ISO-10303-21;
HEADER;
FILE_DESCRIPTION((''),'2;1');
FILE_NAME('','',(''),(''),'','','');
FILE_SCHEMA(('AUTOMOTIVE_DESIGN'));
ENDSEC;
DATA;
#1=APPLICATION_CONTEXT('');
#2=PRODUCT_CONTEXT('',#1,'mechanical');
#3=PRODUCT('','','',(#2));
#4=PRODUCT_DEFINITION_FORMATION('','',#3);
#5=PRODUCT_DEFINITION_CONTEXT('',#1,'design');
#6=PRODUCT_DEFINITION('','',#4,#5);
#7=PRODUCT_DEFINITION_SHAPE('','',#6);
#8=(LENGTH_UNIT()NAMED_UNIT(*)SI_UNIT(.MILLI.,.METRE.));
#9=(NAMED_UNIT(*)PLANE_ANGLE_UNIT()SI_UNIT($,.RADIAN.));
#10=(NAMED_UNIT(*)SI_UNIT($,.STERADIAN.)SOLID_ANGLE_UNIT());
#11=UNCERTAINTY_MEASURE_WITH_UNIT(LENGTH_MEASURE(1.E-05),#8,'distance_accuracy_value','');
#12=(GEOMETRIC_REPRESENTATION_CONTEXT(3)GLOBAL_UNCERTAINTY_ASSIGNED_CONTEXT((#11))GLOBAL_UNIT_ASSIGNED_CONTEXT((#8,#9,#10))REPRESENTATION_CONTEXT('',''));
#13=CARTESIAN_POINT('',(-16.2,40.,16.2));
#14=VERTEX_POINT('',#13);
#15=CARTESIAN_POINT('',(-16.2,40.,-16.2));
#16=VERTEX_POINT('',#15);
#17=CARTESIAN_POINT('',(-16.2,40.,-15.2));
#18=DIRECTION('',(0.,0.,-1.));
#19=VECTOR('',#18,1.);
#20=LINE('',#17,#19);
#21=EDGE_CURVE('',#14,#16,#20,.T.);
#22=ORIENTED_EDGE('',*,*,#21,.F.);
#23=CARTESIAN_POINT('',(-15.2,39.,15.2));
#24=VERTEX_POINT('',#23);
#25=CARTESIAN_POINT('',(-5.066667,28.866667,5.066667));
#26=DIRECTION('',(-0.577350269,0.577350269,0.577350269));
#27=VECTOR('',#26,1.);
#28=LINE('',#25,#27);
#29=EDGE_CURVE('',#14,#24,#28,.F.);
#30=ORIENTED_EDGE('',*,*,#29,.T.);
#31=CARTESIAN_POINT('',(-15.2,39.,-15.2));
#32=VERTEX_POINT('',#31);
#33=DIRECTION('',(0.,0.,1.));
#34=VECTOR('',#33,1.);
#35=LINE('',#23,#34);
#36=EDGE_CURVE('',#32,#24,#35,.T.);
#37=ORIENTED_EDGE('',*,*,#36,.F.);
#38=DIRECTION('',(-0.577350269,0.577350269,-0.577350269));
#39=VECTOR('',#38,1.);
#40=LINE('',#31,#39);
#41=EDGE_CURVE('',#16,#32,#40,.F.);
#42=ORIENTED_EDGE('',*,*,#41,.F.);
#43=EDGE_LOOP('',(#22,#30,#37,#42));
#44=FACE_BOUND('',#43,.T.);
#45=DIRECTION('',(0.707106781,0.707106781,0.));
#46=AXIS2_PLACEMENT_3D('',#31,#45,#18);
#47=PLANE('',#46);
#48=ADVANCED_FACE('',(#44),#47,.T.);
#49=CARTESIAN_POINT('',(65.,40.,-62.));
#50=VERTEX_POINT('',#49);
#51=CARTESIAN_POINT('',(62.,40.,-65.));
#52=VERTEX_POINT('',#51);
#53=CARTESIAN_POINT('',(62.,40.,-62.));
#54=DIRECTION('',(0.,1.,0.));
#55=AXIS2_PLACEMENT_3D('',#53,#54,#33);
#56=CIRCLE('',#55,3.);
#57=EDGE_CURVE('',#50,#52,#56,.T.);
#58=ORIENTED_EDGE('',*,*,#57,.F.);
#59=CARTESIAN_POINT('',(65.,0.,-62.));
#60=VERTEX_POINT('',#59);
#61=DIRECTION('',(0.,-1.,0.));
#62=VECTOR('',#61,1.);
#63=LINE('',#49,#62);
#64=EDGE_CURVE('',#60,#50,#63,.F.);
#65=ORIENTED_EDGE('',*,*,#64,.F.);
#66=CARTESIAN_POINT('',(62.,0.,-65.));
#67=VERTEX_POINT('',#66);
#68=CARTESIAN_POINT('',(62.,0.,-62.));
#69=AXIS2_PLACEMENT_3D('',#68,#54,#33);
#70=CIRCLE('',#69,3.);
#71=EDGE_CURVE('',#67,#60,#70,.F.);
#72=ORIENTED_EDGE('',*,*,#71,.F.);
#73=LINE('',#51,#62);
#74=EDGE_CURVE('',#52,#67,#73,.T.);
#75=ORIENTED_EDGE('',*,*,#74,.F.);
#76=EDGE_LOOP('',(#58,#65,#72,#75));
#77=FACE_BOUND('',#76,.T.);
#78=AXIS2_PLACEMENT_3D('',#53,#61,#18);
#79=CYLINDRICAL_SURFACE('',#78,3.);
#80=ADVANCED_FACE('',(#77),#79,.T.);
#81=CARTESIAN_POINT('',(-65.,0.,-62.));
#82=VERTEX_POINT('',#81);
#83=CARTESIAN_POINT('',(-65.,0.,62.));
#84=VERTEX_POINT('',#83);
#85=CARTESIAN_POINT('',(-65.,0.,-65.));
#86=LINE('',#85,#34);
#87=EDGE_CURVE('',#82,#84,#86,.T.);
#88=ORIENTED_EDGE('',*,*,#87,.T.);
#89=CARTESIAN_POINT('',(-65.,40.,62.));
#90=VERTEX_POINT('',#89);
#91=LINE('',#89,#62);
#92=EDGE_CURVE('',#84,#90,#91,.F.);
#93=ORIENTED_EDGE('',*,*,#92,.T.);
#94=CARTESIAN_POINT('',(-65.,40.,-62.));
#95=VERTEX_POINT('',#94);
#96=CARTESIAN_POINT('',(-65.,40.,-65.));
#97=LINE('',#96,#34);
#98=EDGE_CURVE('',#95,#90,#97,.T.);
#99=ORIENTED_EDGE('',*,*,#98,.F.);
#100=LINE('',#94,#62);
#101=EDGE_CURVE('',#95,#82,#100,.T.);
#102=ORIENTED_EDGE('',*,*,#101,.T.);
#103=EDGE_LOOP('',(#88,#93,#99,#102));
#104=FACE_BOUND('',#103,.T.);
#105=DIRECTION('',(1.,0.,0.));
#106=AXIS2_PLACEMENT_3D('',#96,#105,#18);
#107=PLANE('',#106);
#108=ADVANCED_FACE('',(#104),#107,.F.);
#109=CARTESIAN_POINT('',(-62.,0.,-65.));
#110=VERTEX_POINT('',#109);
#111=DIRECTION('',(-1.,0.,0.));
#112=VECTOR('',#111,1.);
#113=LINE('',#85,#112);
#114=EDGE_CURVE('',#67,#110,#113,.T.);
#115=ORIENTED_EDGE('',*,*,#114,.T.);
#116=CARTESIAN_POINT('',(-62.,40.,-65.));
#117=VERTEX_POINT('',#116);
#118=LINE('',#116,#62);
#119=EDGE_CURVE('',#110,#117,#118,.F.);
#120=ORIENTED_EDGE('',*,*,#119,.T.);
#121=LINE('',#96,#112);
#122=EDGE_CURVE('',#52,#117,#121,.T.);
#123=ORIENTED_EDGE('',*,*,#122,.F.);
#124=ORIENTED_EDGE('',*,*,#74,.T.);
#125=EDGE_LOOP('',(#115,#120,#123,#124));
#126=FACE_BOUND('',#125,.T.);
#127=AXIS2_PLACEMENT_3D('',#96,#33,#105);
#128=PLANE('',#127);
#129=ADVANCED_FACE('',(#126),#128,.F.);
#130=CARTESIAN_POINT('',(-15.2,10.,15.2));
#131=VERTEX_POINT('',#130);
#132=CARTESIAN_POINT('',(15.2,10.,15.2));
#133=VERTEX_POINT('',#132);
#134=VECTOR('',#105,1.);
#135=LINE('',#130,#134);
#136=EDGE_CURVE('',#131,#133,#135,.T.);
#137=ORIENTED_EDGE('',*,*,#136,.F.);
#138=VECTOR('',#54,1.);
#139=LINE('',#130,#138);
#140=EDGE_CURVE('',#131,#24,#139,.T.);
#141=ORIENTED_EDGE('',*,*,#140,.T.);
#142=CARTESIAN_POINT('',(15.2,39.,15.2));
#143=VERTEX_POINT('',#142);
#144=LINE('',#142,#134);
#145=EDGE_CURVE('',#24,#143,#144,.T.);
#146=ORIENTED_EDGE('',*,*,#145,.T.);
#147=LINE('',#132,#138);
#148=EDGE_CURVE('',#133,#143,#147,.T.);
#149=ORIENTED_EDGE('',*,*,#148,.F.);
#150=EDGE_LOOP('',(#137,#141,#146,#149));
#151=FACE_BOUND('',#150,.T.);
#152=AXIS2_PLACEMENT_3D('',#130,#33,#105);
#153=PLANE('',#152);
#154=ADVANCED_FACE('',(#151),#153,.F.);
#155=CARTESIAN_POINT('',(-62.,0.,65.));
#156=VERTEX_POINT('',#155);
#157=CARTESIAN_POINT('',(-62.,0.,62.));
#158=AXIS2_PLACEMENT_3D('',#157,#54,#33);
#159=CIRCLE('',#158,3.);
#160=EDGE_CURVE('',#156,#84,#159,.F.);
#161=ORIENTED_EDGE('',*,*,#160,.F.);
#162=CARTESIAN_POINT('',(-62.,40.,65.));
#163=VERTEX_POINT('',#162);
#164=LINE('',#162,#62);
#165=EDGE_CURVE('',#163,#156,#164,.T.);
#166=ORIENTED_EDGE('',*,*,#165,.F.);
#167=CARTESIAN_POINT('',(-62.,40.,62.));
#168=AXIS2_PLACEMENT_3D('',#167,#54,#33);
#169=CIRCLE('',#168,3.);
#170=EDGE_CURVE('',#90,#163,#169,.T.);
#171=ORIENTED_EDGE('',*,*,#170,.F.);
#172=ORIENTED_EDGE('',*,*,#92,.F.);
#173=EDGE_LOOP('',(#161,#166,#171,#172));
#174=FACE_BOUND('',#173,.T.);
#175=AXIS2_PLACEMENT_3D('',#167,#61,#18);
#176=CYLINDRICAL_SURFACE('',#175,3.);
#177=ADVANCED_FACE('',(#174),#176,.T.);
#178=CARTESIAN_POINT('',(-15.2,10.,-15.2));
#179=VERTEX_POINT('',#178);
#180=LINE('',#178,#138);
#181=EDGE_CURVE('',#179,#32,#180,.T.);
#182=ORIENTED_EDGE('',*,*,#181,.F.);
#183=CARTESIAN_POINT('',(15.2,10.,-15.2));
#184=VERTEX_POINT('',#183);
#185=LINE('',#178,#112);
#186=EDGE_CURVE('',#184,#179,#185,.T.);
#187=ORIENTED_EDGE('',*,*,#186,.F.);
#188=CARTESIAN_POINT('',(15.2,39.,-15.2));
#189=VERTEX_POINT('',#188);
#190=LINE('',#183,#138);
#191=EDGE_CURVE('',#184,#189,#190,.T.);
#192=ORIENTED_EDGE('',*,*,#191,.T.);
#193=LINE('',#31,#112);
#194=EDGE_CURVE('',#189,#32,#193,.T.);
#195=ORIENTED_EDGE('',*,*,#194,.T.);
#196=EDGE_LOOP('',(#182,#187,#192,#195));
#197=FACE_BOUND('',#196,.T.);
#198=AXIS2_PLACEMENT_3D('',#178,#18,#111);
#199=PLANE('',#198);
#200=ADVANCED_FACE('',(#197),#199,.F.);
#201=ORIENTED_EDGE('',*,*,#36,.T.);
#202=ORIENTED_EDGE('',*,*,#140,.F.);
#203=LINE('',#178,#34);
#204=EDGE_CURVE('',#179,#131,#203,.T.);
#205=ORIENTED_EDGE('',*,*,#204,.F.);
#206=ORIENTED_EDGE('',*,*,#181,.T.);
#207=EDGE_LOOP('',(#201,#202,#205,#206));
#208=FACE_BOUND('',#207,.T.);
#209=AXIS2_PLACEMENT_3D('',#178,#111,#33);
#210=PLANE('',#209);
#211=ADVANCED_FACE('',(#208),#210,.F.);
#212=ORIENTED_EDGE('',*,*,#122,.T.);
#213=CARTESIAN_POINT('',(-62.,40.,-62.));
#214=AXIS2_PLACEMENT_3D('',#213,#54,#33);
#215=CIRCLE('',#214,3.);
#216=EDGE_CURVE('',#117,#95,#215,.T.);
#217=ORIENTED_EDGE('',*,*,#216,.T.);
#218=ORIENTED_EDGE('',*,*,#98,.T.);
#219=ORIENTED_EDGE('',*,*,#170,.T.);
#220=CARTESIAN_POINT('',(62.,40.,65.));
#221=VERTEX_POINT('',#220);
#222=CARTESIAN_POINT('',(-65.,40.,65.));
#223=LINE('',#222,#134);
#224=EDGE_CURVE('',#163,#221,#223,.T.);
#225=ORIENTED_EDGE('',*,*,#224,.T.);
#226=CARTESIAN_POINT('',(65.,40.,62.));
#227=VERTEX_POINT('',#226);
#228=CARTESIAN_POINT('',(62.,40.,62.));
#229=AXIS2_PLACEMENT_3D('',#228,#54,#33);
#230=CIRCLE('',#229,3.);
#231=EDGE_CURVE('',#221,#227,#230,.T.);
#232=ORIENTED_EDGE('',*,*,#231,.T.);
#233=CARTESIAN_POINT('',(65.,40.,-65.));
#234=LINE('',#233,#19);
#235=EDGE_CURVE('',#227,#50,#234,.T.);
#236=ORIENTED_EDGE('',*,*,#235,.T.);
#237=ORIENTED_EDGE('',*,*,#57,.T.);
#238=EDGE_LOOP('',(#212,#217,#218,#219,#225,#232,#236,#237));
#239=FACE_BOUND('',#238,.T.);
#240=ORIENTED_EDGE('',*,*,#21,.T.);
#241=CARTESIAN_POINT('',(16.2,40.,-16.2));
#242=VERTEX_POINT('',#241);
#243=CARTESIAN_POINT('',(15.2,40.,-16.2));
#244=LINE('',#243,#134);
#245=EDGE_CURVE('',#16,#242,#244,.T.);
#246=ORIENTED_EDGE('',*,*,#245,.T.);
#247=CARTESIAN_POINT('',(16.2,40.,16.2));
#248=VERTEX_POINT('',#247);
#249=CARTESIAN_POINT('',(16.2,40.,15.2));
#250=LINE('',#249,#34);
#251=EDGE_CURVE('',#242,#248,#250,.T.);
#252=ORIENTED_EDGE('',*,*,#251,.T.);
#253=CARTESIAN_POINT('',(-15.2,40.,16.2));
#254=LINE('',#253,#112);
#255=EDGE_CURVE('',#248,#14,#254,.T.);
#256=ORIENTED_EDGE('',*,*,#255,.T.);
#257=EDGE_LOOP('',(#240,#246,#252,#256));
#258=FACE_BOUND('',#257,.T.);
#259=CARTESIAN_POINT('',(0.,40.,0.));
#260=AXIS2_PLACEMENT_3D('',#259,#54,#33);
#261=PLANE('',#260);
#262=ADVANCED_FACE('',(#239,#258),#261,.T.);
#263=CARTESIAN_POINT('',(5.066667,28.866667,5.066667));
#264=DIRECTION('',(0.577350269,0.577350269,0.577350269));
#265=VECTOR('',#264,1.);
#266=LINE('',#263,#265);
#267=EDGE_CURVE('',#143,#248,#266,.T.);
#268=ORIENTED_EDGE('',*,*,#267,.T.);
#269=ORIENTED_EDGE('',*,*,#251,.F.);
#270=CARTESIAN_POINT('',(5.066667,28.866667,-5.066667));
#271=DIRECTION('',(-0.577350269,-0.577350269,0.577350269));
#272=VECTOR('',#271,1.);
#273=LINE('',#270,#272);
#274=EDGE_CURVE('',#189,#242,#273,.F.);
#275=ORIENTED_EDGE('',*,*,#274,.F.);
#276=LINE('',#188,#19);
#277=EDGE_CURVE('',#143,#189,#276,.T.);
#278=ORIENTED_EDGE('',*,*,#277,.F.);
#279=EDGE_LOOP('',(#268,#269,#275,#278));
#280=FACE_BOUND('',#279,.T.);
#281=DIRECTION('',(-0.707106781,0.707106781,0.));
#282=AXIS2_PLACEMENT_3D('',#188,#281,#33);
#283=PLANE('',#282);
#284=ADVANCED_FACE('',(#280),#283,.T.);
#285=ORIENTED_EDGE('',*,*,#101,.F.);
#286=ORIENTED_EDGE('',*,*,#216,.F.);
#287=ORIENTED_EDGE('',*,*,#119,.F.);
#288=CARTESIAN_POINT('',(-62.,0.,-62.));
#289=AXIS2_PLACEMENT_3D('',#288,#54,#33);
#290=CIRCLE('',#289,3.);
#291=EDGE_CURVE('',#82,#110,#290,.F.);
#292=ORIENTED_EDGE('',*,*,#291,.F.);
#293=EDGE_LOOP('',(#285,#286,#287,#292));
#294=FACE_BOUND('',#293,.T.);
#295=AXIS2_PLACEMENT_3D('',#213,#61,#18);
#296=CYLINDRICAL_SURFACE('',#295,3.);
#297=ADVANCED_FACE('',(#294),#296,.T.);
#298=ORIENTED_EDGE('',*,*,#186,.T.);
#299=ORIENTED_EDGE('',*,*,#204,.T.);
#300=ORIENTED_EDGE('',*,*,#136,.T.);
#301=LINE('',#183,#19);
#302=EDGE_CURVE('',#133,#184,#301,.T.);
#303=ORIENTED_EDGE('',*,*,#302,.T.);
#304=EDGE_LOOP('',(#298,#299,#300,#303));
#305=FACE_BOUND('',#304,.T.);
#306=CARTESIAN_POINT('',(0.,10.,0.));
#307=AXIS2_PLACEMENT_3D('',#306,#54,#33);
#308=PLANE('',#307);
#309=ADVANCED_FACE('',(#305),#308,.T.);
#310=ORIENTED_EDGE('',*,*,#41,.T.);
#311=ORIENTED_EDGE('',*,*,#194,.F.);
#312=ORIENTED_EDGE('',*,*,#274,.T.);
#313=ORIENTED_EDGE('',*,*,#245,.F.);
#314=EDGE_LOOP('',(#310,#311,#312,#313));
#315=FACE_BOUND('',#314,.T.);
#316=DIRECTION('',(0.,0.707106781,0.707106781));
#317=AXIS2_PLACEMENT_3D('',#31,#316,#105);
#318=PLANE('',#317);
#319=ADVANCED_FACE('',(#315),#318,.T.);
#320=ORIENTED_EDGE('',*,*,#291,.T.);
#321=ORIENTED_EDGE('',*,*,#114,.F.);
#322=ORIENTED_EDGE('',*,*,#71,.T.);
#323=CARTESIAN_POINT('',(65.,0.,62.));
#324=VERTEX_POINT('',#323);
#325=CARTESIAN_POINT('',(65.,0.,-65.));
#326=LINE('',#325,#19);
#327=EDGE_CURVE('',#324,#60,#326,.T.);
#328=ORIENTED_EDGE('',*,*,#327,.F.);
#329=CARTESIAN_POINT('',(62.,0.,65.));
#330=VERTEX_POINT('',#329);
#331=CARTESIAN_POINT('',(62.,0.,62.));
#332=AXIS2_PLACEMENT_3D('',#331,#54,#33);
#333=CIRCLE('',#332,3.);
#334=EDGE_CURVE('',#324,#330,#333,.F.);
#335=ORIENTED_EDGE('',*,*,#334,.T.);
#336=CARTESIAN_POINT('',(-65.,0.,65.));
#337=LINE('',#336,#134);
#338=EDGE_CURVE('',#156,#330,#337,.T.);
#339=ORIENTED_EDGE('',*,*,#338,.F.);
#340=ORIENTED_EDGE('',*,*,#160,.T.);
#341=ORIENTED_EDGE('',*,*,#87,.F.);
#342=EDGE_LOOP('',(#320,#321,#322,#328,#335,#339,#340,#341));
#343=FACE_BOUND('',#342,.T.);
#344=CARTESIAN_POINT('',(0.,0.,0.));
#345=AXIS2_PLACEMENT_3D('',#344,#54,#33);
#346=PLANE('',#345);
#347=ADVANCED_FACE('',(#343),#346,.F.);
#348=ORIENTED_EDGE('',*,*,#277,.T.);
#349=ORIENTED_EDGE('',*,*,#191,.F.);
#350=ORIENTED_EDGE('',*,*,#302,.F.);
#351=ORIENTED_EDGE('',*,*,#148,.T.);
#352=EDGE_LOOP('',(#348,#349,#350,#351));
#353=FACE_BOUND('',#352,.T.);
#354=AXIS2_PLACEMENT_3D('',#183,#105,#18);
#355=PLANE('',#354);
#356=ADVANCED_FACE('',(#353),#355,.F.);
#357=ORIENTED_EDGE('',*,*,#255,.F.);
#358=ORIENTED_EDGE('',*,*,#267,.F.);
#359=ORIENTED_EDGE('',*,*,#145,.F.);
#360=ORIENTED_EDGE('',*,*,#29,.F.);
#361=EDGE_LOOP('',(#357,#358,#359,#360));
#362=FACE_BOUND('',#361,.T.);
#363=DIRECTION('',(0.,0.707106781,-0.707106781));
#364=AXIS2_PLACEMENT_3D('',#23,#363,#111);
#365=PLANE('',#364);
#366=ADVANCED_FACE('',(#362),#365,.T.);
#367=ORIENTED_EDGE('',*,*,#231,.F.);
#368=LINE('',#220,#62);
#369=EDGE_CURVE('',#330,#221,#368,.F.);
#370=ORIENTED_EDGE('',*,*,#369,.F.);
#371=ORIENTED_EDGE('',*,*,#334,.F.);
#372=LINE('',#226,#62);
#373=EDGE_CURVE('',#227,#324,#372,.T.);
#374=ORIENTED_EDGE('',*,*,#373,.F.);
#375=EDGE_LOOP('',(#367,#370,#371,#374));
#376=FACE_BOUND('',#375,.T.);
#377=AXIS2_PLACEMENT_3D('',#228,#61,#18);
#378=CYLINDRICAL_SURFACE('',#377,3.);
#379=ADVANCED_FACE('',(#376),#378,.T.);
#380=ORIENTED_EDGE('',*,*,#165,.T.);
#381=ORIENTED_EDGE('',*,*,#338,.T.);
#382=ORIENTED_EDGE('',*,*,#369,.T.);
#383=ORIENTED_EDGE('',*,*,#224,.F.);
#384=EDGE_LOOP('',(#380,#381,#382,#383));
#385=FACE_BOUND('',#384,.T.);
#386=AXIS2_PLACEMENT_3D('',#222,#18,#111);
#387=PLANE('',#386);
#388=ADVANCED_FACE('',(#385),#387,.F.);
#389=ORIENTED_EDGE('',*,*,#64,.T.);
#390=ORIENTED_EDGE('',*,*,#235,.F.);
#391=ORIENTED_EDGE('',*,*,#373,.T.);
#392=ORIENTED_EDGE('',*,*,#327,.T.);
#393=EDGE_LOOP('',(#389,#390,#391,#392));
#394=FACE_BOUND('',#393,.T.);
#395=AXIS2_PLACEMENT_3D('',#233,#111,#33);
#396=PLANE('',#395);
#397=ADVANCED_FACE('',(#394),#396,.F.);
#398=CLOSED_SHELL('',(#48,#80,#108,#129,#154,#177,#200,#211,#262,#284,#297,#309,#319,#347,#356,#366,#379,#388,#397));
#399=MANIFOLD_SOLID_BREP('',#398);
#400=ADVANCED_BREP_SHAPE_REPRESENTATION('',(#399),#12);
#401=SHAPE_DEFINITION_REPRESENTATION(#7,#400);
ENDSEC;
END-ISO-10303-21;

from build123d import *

# Parameters (mm, degrees)
SKETCH1_W           = 130
SKETCH1_H           = 130
BOSS_EXTRUDE1_DEPTH = 40
FILLET1_R           = 3
SKETCH2_W           = 30.4
SKETCH2_H           = 30.4
CUT_EXTRUDE1_DEPTH  = 30
CHAMFER1_SIZE       = 1


with BuildPart() as part:
    # Sketch1 → Boss-Extrude1 (new body)
    with BuildSketch(Plane(origin=(0, 0, 0), x_dir=(1, 0, 0), z_dir=(0, 1, 0))):
        Rectangle(SKETCH1_W, SKETCH1_H)
    extrude(amount=BOSS_EXTRUDE1_DEPTH)

    # Fillet1
    fillet1_edges = [part.edges().sort_by_distance(p)[0] for p in [
        (65, 20, 65),
        (-65, 20, 65),
        (-65, 20, -65),
        (65, 20, -65),
    ]]
    fillet(fillet1_edges, radius=FILLET1_R)

    # Sketch2 → Cut-Extrude1 (cut)
    with BuildSketch(Plane(origin=(0, 40, 0), x_dir=(1, 0, 0), z_dir=(0, 1, 0))):
        Rectangle(SKETCH2_W, SKETCH2_H)
    extrude(amount=-CUT_EXTRUDE1_DEPTH, mode=Mode.SUBTRACT)

    # Chamfer1
    chamfer1_edges = [part.edges().sort_by_distance(p)[0] for p in [
        (15.2, 40, 0),
        (0, 40, -15.2),
        (-15.2, 40, 0),
        (0, 40, 15.2),
    ]]
    chamfer(chamfer1_edges, length=CHAMFER1_SIZE)


solid = part.part
